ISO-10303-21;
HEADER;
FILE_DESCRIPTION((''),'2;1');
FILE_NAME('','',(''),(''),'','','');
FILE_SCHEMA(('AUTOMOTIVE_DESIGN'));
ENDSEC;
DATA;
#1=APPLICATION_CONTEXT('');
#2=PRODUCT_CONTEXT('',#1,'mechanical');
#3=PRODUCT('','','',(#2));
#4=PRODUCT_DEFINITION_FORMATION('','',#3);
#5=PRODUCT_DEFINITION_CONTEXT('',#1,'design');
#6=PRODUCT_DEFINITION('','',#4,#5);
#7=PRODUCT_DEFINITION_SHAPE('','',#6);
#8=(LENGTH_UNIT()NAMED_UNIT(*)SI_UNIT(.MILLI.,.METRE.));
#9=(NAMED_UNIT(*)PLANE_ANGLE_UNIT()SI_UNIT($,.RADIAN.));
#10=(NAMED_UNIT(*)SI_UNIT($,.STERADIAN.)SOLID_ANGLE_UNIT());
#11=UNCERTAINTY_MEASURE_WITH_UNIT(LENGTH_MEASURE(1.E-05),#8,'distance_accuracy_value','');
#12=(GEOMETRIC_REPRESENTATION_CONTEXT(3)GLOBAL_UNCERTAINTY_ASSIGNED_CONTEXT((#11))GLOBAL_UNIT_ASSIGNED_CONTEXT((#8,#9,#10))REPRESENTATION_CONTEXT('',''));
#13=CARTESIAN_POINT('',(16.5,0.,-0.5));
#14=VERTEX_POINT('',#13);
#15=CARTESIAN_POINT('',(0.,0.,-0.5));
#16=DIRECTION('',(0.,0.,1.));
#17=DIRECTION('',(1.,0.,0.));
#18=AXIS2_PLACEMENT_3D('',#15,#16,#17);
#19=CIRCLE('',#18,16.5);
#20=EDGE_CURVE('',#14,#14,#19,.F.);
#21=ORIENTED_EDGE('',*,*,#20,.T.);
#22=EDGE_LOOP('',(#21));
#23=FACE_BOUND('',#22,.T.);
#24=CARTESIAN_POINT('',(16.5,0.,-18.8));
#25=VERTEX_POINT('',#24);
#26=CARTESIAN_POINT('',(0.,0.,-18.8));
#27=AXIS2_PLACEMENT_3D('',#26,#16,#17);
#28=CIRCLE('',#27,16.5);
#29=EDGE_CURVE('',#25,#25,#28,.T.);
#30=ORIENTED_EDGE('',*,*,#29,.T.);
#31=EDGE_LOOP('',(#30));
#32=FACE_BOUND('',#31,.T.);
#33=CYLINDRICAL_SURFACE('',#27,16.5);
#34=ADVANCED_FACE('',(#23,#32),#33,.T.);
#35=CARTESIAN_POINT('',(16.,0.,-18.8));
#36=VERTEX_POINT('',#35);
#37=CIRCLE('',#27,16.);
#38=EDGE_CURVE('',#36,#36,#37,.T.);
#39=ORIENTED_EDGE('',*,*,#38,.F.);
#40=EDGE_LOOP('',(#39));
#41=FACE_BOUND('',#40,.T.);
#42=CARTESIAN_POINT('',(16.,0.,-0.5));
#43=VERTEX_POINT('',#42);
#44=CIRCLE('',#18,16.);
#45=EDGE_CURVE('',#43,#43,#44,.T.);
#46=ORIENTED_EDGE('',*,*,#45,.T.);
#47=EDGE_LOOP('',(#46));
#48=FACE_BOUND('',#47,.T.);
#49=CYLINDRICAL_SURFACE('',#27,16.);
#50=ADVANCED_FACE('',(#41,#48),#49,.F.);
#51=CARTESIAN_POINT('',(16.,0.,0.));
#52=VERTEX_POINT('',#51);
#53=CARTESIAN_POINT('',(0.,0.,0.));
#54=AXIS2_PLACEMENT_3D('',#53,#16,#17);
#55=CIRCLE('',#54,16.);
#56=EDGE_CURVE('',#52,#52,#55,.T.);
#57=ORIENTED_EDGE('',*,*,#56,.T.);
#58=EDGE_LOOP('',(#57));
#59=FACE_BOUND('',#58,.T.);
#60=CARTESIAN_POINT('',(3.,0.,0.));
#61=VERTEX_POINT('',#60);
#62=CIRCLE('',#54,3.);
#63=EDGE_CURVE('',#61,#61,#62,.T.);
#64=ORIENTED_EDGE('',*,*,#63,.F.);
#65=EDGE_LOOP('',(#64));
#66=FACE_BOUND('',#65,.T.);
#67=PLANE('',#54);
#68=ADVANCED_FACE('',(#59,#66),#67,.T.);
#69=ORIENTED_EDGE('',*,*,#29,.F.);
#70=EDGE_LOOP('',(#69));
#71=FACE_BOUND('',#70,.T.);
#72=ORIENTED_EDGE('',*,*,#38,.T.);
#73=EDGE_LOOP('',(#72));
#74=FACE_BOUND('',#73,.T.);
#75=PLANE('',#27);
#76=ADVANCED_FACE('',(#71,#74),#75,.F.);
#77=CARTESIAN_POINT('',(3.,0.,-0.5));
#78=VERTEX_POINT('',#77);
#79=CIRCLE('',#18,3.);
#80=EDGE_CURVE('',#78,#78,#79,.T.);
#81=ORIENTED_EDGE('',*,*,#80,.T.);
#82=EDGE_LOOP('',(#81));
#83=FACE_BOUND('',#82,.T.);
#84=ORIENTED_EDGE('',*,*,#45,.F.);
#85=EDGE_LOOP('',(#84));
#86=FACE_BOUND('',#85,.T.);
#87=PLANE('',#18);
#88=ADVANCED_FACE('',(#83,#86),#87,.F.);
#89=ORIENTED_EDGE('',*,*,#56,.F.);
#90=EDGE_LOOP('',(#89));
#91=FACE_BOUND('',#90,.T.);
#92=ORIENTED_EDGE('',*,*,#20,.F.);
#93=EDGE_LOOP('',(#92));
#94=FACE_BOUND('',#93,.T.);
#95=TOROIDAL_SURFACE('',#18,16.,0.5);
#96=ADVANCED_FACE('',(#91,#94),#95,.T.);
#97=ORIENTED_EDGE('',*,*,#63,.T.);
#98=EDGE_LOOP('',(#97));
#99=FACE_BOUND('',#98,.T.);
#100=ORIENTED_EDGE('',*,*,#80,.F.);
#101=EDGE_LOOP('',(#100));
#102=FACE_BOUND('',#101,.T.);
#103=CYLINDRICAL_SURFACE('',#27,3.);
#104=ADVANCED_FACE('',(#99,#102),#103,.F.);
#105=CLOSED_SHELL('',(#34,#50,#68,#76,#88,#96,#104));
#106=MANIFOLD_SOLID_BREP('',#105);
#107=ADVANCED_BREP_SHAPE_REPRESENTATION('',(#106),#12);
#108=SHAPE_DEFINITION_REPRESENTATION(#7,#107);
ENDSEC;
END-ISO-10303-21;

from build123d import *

# Parameters (mm, degrees)
SKETCH1_R           = 16.5
BOSS_EXTRUDE1_DEPTH = 18.8
SHELL1_T            = -0.5
SKETCH2_R           = 3
CUT_EXTRUDE1_DEPTH  = 30.965646998
FILLET1_R           = 0.5


with BuildPart() as part:
    # Sketch1 → Boss-Extrude1 (new body)
    with BuildSketch(Plane.XY):
        Circle(SKETCH1_R)
    extrude(amount=-BOSS_EXTRUDE1_DEPTH)

    # Shell1
    shell1_openings = [part.faces().sort_by_distance(p)[0] for p in [
        (0, 0, -18.8),
    ]]
    offset(amount=SHELL1_T, openings=shell1_openings, kind=Kind.INTERSECTION)

    # Sketch2 → Cut-Extrude1 (cut, through all)
    with BuildSketch(Plane.XY):
        Circle(SKETCH2_R)
    extrude(amount=-CUT_EXTRUDE1_DEPTH, mode=Mode.SUBTRACT)

    # Fillet1
    fillet1_edges = [part.edges().sort_by_distance(p)[0] for p in [
        (-16.5, 0, 0),
    ]]
    fillet(fillet1_edges, radius=FILLET1_R)


solid = part.part
